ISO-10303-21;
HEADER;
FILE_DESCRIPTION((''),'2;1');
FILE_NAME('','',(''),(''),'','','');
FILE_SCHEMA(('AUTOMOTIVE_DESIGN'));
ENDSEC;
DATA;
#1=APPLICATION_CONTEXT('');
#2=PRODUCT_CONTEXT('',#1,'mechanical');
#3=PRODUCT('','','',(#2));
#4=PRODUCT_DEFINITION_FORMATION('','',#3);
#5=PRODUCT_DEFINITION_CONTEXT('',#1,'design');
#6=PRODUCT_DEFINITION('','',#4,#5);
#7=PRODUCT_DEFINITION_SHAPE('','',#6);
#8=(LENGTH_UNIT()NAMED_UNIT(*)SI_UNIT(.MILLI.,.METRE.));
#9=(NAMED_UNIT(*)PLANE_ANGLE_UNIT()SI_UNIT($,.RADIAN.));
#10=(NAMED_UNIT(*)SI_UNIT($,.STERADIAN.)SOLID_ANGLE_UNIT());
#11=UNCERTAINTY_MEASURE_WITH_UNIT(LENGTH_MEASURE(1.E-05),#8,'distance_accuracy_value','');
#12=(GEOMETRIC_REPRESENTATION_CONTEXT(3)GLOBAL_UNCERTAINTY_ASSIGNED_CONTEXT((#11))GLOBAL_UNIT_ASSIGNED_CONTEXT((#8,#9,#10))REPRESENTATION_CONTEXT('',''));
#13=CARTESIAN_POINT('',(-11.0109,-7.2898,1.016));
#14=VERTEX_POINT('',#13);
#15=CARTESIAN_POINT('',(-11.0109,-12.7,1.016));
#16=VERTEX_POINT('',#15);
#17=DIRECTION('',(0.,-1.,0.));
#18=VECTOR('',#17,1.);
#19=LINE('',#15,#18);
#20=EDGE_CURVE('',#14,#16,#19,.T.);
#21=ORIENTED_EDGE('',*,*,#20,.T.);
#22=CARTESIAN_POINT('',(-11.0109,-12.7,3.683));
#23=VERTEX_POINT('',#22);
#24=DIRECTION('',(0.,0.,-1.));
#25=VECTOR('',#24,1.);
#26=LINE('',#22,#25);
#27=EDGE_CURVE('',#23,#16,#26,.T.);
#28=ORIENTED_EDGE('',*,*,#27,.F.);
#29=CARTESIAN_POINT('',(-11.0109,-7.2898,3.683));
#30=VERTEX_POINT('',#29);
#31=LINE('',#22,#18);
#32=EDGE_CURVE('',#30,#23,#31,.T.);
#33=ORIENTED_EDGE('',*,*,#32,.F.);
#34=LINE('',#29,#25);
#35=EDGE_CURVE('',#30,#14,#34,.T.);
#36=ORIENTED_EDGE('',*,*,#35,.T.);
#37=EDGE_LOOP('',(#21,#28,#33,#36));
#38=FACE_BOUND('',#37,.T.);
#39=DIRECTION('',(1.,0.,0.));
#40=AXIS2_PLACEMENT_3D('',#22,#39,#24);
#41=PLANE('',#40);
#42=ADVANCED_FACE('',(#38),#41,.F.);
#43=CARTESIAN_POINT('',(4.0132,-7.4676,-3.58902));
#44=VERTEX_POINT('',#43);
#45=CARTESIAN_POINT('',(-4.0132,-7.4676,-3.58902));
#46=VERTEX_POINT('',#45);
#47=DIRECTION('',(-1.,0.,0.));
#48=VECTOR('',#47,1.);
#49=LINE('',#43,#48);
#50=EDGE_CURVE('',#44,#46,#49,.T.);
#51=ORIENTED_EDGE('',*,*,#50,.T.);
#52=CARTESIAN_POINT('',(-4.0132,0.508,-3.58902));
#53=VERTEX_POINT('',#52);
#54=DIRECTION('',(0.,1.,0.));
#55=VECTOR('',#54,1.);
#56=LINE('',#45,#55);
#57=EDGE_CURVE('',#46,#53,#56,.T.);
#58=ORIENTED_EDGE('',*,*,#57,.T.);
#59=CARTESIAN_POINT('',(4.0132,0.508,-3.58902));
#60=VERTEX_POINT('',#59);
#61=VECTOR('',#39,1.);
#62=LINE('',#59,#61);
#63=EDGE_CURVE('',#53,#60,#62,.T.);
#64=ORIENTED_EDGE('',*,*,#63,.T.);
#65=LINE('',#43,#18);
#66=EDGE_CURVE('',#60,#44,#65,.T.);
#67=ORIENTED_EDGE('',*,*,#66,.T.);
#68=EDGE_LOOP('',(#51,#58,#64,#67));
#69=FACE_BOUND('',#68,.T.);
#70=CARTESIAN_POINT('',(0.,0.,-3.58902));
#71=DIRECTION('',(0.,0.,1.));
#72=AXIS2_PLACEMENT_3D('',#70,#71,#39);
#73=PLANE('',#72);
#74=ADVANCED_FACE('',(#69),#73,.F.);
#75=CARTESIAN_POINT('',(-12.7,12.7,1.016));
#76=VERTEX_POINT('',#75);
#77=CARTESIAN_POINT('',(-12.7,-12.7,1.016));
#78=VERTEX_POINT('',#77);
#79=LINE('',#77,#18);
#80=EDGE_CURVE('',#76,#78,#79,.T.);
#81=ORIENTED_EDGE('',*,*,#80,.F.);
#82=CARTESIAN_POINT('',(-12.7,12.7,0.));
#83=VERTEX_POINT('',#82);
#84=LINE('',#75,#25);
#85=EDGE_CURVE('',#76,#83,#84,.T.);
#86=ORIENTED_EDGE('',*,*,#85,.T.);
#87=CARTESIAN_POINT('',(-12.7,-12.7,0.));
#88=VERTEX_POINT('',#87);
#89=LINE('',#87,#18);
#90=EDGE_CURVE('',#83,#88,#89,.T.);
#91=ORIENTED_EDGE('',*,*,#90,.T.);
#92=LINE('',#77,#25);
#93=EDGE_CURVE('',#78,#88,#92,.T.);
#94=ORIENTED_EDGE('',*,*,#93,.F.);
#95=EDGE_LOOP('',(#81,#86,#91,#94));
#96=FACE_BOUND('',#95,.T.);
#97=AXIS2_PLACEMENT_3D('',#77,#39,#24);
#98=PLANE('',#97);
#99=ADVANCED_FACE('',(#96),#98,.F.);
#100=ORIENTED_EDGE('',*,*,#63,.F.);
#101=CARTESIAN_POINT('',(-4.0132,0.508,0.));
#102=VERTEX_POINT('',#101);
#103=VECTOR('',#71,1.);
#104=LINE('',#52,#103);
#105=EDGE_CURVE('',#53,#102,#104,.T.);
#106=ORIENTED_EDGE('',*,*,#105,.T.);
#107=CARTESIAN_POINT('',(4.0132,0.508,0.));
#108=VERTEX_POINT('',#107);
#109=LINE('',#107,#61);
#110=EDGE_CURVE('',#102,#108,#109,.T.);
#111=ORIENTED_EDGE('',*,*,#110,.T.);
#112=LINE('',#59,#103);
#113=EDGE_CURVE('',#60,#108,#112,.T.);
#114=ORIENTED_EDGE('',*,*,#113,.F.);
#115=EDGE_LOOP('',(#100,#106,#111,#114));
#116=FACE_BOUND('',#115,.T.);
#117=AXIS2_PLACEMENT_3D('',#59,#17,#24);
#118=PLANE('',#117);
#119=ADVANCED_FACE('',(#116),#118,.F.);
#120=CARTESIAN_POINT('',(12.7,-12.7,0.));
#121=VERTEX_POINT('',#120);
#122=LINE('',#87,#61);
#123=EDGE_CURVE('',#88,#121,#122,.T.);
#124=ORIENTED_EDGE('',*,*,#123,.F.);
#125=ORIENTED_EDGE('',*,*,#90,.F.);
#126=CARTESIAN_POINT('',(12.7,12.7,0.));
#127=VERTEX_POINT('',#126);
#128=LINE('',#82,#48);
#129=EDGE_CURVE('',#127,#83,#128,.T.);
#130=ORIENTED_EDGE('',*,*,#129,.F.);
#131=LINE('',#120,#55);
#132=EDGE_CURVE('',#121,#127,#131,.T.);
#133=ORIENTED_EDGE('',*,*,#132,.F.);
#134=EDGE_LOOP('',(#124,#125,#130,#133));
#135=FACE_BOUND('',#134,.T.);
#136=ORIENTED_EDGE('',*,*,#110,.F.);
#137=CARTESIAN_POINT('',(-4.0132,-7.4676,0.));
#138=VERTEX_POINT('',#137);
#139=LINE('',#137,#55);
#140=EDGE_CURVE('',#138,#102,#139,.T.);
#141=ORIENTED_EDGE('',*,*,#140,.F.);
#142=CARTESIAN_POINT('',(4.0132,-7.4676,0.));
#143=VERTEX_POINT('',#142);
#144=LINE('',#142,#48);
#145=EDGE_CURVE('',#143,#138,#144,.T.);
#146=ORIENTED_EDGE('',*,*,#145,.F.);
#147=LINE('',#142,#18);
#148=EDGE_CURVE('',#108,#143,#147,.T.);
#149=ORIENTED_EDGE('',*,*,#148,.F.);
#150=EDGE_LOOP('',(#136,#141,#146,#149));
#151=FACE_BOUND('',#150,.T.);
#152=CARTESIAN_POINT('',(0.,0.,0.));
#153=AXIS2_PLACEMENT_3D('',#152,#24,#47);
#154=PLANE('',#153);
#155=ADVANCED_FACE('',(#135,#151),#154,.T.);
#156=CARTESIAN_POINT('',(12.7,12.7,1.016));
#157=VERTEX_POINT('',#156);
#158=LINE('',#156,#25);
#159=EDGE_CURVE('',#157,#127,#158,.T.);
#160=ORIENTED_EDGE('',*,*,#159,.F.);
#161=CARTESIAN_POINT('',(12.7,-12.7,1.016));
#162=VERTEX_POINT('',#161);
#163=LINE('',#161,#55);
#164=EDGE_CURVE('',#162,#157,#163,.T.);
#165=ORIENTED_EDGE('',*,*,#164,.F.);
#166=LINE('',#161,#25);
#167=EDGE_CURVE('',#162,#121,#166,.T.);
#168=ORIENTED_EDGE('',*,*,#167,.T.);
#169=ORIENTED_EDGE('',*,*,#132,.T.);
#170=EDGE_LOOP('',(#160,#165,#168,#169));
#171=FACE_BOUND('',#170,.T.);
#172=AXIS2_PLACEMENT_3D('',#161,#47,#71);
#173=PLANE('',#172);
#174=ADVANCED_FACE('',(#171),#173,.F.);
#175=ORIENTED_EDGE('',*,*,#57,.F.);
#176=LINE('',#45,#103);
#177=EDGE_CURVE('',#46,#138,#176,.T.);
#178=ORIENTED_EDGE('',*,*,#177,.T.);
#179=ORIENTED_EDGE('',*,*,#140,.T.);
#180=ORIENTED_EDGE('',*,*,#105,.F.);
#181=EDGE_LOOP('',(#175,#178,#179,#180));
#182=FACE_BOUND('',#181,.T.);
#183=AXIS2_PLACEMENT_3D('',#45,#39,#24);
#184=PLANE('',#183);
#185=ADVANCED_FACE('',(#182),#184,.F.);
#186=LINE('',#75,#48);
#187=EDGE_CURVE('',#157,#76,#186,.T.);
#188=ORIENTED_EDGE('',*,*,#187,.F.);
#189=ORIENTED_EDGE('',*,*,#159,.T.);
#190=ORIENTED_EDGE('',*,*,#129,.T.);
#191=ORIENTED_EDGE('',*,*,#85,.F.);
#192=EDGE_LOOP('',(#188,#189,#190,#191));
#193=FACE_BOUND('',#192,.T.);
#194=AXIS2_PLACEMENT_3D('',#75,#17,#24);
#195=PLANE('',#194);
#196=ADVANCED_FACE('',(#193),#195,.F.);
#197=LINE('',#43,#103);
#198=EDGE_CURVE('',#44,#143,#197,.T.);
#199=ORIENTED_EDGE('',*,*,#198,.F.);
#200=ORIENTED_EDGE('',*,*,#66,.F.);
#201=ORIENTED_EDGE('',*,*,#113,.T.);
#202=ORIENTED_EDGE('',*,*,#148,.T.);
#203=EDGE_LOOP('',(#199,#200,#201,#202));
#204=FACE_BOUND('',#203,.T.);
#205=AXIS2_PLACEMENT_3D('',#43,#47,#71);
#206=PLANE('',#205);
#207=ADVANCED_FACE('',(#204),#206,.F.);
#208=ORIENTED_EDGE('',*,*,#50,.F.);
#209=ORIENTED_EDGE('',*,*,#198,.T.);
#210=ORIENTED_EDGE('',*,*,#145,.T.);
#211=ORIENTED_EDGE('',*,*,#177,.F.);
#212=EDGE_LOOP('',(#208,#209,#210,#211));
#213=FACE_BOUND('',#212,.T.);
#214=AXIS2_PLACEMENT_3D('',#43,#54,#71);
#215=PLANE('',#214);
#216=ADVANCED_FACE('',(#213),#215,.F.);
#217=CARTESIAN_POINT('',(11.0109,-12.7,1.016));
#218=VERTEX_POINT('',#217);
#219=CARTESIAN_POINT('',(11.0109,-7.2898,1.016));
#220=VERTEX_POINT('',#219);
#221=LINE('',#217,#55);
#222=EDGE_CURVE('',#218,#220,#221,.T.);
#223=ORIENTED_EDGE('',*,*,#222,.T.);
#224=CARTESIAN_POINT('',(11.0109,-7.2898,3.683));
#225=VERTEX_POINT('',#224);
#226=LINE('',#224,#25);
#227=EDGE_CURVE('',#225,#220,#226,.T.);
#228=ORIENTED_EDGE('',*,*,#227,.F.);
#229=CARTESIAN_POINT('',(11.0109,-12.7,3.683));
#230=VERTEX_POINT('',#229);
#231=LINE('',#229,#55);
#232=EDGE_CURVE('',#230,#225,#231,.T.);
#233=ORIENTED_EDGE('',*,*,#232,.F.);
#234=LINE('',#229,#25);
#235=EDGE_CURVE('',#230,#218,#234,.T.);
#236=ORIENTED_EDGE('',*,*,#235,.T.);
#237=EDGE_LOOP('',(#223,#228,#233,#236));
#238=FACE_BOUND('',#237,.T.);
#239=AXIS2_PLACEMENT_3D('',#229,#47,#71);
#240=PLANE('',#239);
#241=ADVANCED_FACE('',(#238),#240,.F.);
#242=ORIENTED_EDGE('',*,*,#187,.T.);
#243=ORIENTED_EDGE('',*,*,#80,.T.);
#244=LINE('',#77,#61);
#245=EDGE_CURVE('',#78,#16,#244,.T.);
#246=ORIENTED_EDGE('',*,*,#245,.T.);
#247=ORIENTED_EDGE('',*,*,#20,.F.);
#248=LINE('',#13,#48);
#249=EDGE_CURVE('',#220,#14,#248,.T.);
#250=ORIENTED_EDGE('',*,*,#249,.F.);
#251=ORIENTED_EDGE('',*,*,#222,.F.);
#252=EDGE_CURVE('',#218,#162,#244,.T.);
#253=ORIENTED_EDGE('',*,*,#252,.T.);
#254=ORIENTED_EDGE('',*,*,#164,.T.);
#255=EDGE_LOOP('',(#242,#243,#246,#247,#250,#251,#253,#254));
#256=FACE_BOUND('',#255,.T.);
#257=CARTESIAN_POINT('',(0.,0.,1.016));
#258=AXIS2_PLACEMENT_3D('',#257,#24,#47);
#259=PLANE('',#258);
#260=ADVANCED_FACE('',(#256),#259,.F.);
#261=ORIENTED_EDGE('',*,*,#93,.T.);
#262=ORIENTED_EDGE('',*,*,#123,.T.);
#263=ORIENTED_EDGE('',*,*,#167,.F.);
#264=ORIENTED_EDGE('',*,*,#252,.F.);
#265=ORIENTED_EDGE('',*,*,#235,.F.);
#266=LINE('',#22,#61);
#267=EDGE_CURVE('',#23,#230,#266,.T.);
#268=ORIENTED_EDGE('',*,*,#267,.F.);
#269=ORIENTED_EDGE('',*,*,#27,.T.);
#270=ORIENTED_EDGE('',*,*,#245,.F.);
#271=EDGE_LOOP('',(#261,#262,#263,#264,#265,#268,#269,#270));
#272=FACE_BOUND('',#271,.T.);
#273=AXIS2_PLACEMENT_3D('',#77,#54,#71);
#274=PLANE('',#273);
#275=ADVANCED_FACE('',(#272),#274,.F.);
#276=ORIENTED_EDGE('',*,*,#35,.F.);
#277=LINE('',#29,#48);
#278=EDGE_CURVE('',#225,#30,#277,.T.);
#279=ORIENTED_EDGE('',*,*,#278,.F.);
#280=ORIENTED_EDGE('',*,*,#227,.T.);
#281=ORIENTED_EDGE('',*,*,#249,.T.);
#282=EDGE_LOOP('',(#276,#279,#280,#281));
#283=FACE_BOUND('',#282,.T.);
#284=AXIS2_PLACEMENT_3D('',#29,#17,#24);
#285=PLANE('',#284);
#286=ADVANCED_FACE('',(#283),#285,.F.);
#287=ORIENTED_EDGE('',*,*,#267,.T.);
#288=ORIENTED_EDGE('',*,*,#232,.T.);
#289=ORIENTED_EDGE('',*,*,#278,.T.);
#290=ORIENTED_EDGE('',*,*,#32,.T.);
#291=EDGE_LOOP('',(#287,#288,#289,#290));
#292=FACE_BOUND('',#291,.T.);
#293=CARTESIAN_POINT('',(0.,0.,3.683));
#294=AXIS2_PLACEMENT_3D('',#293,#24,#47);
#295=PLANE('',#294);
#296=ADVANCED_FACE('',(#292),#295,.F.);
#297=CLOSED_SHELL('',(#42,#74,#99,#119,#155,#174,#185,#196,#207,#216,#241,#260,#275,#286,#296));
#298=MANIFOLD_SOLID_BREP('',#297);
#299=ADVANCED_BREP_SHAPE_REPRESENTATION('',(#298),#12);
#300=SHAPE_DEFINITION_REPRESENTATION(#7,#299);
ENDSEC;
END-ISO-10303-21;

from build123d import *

# Parameters (mm, degrees)
SKETCH1_W           = 25.4
SKETCH1_H           = 25.4
BOSS_EXTRUDE1_DEPTH = 1.016
SKETCH2_W           = 22.0218
SKETCH2_H           = 5.4102
BOSS_EXTRUDE2_DEPTH = 2.667
SKETCH3_W           = 8.0264
SKETCH3_H           = 7.9756
BOSS_EXTRUDE3_DEPTH = 3.58902


with BuildPart() as part:
    # Sketch1 → Boss-Extrude1 (new body)
    with BuildSketch(Plane.XY):
        Rectangle(SKETCH1_W, SKETCH1_H)
    extrude(amount=BOSS_EXTRUDE1_DEPTH)

    # Sketch2 → Boss-Extrude2 (add)
    with BuildSketch(Plane.XY.offset(1.016)):
        with Locations((0, -9.9949)):
            Rectangle(SKETCH2_W, SKETCH2_H)
    extrude(amount=BOSS_EXTRUDE2_DEPTH)

    # Sketch3 → Boss-Extrude3 (add)
    with BuildSketch(Plane(origin=(0, 0, 0), x_dir=(-1, 0, 0), z_dir=(0, 0, -1))):
        with Locations((0, -3.4798)):
            Rectangle(SKETCH3_W, SKETCH3_H)
    extrude(amount=BOSS_EXTRUDE3_DEPTH)


solid = part.part
